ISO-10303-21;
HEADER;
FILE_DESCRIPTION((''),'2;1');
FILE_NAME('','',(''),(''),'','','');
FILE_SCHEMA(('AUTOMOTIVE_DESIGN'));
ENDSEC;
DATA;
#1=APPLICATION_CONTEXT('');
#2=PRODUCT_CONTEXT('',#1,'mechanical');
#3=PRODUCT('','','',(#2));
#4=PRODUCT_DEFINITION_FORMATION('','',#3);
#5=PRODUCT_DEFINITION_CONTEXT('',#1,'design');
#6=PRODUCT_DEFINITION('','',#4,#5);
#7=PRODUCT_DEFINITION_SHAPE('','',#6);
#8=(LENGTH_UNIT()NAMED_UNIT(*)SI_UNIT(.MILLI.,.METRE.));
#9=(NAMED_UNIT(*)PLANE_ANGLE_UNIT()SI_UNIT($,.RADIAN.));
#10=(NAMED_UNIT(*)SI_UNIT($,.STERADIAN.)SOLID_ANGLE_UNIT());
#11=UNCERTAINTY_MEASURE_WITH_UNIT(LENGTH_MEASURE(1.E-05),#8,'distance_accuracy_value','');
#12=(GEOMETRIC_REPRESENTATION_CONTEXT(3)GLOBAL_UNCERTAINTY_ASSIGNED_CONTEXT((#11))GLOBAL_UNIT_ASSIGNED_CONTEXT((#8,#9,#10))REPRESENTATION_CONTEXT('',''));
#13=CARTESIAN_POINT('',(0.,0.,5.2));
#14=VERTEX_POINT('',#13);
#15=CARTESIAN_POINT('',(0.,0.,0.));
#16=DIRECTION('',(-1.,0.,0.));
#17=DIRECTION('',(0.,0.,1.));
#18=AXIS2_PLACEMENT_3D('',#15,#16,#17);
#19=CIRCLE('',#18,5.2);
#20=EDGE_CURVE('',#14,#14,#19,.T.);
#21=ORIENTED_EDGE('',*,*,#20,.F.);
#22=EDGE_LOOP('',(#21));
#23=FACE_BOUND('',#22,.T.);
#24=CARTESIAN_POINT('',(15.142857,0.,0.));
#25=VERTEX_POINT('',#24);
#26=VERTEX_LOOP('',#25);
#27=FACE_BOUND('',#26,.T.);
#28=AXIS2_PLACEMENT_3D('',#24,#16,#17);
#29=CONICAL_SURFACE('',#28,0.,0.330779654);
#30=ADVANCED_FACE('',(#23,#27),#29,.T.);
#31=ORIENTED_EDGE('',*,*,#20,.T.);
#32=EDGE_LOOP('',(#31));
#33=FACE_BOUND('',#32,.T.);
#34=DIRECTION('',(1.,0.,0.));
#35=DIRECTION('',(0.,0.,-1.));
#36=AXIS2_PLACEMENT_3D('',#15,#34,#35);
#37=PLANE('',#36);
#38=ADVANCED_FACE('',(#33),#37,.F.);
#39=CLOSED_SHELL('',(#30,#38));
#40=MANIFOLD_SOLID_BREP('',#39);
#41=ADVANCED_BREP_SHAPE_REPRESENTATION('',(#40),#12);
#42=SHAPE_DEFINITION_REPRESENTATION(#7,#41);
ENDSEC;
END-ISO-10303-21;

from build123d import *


with BuildPart() as part:
    # Sketch1 → Revolve1 (revolve)
    with BuildSketch(Plane.XY):
        Polygon((0, 0), (0, 5.2), (15.142857143, 0), align=None)
    revolve(axis=Axis((-35.714285714, 0, 0), (1, 0, 0)))


solid = part.part
